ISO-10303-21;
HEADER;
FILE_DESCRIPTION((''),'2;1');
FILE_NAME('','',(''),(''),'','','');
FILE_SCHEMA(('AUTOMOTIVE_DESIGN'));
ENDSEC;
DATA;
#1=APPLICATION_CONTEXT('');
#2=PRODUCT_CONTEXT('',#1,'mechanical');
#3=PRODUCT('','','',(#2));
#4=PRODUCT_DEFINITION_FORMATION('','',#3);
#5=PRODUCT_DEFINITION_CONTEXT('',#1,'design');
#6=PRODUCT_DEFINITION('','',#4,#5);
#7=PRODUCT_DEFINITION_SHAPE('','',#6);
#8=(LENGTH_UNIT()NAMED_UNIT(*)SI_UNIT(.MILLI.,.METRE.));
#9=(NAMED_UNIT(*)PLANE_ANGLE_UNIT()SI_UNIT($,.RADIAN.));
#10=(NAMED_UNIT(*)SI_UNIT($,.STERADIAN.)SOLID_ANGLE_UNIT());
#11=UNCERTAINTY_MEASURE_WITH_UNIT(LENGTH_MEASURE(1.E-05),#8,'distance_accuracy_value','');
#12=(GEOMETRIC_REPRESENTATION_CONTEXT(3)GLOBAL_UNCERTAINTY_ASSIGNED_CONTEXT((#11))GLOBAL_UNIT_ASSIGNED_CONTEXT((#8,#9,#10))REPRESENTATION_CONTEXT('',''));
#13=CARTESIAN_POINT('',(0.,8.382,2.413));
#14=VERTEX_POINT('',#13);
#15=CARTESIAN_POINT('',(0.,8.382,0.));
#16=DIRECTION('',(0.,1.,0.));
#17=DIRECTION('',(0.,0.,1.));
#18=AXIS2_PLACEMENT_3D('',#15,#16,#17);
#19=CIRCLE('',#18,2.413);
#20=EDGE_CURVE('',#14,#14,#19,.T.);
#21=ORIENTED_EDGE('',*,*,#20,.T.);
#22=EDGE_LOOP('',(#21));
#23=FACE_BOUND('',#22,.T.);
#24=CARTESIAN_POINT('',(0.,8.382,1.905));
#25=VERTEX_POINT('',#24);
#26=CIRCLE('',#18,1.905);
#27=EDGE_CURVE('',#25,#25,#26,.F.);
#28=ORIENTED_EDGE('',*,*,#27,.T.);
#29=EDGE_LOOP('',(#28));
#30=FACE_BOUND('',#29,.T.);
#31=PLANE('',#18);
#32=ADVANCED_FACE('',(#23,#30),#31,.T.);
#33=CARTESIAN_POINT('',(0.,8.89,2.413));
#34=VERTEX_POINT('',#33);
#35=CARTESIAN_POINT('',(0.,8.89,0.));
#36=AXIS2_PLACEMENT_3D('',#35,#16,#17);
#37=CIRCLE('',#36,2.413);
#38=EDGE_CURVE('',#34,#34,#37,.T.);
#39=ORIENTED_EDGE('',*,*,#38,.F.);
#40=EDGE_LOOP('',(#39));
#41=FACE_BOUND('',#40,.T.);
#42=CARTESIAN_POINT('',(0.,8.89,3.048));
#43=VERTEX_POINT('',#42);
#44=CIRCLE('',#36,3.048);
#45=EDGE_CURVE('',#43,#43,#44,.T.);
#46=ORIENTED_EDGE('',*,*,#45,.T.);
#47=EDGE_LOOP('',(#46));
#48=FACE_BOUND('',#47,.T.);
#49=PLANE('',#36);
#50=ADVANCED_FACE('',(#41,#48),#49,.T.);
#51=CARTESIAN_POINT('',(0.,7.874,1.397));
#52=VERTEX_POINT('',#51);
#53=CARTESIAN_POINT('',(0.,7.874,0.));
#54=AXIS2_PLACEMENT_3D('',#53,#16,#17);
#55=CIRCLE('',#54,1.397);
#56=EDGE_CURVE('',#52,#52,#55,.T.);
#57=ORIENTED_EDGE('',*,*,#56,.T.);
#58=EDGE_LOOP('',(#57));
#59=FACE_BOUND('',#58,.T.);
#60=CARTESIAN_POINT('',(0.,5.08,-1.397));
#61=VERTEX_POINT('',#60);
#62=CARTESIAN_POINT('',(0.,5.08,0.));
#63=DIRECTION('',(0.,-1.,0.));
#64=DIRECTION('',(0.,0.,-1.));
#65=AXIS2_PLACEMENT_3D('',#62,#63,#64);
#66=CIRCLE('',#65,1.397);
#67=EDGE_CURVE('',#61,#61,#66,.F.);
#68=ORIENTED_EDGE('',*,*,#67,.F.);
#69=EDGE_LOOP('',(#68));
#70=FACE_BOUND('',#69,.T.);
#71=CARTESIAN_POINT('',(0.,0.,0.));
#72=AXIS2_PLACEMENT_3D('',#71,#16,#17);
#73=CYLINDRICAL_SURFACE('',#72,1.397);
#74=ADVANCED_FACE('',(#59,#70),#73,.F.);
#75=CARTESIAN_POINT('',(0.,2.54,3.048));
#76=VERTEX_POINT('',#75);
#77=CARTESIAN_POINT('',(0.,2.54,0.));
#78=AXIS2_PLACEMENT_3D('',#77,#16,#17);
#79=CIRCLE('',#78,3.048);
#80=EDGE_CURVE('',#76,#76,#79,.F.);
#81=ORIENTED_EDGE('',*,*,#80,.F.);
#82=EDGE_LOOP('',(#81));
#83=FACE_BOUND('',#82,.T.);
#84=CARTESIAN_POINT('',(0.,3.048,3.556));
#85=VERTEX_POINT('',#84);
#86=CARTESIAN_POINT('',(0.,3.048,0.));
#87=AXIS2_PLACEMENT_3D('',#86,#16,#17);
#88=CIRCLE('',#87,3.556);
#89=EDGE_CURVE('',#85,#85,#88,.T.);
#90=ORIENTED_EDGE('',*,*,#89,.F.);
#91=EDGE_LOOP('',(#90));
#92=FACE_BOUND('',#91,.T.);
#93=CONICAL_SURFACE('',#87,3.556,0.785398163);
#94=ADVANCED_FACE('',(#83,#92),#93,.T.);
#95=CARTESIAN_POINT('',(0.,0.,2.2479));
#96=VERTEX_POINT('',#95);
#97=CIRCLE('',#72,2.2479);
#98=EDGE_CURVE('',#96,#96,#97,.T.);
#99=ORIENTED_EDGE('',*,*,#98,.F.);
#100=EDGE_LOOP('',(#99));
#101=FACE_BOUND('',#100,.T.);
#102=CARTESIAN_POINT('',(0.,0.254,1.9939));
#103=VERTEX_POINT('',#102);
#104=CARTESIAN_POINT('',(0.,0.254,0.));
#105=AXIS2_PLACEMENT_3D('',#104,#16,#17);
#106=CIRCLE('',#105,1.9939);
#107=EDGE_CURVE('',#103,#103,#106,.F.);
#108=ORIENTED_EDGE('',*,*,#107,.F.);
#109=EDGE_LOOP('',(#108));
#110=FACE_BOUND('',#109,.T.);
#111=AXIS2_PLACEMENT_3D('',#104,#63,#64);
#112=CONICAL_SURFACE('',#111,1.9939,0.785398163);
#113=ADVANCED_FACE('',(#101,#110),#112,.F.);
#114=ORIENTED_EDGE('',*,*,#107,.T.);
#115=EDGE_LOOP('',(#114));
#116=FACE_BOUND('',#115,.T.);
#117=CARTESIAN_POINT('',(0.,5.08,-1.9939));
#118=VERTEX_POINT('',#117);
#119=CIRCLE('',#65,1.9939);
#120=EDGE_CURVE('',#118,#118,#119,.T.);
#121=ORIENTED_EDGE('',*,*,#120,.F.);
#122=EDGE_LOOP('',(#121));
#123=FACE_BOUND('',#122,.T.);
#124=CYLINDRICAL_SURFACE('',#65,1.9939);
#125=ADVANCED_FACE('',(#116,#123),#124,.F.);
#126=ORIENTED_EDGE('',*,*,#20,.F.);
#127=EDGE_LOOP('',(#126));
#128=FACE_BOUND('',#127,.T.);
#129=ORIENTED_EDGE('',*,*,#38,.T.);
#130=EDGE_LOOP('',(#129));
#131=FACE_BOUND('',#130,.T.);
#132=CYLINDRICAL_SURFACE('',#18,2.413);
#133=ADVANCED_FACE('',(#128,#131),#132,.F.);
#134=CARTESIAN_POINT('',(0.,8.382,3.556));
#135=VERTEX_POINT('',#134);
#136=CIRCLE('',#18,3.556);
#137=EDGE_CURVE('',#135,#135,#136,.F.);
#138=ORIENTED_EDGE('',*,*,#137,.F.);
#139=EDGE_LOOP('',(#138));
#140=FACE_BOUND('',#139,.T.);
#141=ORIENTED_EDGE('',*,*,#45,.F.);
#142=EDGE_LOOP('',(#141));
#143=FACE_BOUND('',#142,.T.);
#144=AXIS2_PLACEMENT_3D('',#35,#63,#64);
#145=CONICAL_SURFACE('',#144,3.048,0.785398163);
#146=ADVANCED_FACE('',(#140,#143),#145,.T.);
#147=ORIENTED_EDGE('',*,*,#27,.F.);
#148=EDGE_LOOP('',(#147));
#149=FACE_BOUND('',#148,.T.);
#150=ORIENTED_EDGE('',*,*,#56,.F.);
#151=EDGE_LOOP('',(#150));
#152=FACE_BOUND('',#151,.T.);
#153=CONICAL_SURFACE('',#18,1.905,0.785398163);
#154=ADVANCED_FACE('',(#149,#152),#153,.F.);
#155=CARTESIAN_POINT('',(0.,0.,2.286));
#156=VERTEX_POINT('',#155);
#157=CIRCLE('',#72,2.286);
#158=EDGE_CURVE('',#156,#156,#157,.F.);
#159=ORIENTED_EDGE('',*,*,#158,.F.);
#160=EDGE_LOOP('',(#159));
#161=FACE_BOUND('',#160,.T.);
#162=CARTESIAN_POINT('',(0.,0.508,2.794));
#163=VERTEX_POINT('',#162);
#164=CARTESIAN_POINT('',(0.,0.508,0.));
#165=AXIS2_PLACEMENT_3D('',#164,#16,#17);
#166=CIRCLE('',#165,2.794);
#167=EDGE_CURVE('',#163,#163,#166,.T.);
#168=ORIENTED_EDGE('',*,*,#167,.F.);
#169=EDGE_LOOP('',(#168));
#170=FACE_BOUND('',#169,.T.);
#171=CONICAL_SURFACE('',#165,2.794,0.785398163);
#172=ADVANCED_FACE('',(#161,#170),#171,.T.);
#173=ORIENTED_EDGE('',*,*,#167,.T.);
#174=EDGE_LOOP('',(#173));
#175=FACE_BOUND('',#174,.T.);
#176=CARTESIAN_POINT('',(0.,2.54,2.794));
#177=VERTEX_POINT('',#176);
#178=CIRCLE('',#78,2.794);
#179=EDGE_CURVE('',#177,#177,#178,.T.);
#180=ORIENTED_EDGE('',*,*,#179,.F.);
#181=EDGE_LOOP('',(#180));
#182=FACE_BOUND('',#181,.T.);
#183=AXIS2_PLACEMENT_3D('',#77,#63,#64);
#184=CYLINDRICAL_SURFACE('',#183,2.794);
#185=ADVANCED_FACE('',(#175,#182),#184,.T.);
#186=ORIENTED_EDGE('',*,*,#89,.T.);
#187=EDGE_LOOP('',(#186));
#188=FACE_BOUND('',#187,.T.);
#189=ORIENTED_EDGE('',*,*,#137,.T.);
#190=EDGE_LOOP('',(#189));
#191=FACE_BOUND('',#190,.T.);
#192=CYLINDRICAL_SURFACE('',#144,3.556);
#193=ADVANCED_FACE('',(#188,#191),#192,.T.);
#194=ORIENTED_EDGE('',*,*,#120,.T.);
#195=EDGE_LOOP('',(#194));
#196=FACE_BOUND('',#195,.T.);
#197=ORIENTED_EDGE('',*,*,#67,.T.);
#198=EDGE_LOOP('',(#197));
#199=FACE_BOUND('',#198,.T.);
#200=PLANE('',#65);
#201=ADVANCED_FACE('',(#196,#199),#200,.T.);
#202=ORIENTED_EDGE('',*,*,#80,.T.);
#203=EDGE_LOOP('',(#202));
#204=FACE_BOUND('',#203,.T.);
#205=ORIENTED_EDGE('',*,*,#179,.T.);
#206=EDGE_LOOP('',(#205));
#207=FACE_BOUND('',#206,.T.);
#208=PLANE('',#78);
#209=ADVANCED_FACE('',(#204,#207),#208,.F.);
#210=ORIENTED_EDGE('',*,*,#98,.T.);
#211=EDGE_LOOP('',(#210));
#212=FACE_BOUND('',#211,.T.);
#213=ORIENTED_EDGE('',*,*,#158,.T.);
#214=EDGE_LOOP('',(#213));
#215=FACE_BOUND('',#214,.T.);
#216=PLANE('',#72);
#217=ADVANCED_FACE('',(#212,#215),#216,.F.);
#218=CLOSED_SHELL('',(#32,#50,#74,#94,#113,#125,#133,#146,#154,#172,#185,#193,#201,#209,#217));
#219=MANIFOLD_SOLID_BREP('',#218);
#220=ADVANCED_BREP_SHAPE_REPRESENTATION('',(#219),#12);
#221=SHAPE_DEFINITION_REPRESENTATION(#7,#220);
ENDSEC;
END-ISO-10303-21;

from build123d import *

# Parameters (mm, degrees)
SKETCH1_R           = 2.794
BOSS_EXTRUDE1_DEPTH = 2.54
SKETCH2_R           = 3.556
BOSS_EXTRUDE2_DEPTH = 6.35
SKETCH3_R           = 1.397
CUT_EXTRUDE1_DEPTH  = 9.89
SKETCH4_R           = 2.413
CUT_EXTRUDE2_DEPTH  = 0.508
SKETCH5_R           = 1.9939
CUT_EXTRUDE3_DEPTH  = 5.08
CHAMFER1_SIZE       = 0.508
CHAMFER2_SIZE       = 0.254
CHAMFER3_SIZE       = 0.508


with BuildPart() as part:
    # Sketch1 → Boss-Extrude1 (new body)
    with BuildSketch(Plane(origin=(0, 0, 0), x_dir=(1, 0, 0), z_dir=(0, 1, 0))):
        with Locations(Location((0, 0, 0), (0, 0, 270))):  # turned: the seam where the file's is
            Circle(SKETCH1_R)
    extrude(amount=BOSS_EXTRUDE1_DEPTH)

    # Sketch2 → Boss-Extrude2 (add)
    with BuildSketch(Plane(origin=(0, 2.54, 0), x_dir=(1, 0, 0), z_dir=(0, 1, 0))):
        with Locations(Location((0, 0, 0), (0, 0, 270))):  # turned: the seam where the file's is
            Circle(SKETCH2_R)
    extrude(amount=BOSS_EXTRUDE2_DEPTH)

    # Sketch3 → Cut-Extrude1 (cut, through all)
    with BuildSketch(Plane(origin=(0, 8.89, 0), x_dir=(1, 0, 0), z_dir=(0, 1, 0))):
        with Locations(Location((0, 0, 0), (0, 0, 270))):  # turned: the seam where the file's is
            Circle(SKETCH3_R)
    extrude(amount=-CUT_EXTRUDE1_DEPTH, mode=Mode.SUBTRACT)

    # Sketch4 → Cut-Extrude2 (cut)
    with BuildSketch(Plane(origin=(0, 8.89, 0), x_dir=(1, 0, 0), z_dir=(0, 1, 0))):
        with Locations(Location((0, 0, 0), (0, 0, 270))):  # turned: the seam where the file's is
            Circle(SKETCH4_R)
    extrude(amount=-CUT_EXTRUDE2_DEPTH, mode=Mode.SUBTRACT)

    # Sketch5 → Cut-Extrude3 (cut)
    with BuildSketch(Plane.XZ):
        with Locations(Location((0, 0, 0), (0, 0, 270))):  # turned: the seam where the file's is
            Circle(SKETCH5_R)
    extrude(amount=-CUT_EXTRUDE3_DEPTH, mode=Mode.SUBTRACT)

    # Chamfer1
    chamfer1_edges = [part.edges().sort_by_distance(p)[0] for p in [
        (0, 0, -2.794),
        (0, 2.54, -3.556),
        (0, 8.89, -3.556),
    ]]
    chamfer(chamfer1_edges, length=CHAMFER1_SIZE)

    # Chamfer2
    chamfer2_edges = [part.edges().sort_by_distance(p)[0] for p in [
        (0, 0, 1.9939),
    ]]
    chamfer(chamfer2_edges, length=CHAMFER2_SIZE)

    # Chamfer3
    chamfer3_edges = [part.edges().sort_by_distance(p)[0] for p in [
        (0, 8.382, -1.397),
    ]]
    chamfer(chamfer3_edges, length=CHAMFER3_SIZE)


solid = part.part
